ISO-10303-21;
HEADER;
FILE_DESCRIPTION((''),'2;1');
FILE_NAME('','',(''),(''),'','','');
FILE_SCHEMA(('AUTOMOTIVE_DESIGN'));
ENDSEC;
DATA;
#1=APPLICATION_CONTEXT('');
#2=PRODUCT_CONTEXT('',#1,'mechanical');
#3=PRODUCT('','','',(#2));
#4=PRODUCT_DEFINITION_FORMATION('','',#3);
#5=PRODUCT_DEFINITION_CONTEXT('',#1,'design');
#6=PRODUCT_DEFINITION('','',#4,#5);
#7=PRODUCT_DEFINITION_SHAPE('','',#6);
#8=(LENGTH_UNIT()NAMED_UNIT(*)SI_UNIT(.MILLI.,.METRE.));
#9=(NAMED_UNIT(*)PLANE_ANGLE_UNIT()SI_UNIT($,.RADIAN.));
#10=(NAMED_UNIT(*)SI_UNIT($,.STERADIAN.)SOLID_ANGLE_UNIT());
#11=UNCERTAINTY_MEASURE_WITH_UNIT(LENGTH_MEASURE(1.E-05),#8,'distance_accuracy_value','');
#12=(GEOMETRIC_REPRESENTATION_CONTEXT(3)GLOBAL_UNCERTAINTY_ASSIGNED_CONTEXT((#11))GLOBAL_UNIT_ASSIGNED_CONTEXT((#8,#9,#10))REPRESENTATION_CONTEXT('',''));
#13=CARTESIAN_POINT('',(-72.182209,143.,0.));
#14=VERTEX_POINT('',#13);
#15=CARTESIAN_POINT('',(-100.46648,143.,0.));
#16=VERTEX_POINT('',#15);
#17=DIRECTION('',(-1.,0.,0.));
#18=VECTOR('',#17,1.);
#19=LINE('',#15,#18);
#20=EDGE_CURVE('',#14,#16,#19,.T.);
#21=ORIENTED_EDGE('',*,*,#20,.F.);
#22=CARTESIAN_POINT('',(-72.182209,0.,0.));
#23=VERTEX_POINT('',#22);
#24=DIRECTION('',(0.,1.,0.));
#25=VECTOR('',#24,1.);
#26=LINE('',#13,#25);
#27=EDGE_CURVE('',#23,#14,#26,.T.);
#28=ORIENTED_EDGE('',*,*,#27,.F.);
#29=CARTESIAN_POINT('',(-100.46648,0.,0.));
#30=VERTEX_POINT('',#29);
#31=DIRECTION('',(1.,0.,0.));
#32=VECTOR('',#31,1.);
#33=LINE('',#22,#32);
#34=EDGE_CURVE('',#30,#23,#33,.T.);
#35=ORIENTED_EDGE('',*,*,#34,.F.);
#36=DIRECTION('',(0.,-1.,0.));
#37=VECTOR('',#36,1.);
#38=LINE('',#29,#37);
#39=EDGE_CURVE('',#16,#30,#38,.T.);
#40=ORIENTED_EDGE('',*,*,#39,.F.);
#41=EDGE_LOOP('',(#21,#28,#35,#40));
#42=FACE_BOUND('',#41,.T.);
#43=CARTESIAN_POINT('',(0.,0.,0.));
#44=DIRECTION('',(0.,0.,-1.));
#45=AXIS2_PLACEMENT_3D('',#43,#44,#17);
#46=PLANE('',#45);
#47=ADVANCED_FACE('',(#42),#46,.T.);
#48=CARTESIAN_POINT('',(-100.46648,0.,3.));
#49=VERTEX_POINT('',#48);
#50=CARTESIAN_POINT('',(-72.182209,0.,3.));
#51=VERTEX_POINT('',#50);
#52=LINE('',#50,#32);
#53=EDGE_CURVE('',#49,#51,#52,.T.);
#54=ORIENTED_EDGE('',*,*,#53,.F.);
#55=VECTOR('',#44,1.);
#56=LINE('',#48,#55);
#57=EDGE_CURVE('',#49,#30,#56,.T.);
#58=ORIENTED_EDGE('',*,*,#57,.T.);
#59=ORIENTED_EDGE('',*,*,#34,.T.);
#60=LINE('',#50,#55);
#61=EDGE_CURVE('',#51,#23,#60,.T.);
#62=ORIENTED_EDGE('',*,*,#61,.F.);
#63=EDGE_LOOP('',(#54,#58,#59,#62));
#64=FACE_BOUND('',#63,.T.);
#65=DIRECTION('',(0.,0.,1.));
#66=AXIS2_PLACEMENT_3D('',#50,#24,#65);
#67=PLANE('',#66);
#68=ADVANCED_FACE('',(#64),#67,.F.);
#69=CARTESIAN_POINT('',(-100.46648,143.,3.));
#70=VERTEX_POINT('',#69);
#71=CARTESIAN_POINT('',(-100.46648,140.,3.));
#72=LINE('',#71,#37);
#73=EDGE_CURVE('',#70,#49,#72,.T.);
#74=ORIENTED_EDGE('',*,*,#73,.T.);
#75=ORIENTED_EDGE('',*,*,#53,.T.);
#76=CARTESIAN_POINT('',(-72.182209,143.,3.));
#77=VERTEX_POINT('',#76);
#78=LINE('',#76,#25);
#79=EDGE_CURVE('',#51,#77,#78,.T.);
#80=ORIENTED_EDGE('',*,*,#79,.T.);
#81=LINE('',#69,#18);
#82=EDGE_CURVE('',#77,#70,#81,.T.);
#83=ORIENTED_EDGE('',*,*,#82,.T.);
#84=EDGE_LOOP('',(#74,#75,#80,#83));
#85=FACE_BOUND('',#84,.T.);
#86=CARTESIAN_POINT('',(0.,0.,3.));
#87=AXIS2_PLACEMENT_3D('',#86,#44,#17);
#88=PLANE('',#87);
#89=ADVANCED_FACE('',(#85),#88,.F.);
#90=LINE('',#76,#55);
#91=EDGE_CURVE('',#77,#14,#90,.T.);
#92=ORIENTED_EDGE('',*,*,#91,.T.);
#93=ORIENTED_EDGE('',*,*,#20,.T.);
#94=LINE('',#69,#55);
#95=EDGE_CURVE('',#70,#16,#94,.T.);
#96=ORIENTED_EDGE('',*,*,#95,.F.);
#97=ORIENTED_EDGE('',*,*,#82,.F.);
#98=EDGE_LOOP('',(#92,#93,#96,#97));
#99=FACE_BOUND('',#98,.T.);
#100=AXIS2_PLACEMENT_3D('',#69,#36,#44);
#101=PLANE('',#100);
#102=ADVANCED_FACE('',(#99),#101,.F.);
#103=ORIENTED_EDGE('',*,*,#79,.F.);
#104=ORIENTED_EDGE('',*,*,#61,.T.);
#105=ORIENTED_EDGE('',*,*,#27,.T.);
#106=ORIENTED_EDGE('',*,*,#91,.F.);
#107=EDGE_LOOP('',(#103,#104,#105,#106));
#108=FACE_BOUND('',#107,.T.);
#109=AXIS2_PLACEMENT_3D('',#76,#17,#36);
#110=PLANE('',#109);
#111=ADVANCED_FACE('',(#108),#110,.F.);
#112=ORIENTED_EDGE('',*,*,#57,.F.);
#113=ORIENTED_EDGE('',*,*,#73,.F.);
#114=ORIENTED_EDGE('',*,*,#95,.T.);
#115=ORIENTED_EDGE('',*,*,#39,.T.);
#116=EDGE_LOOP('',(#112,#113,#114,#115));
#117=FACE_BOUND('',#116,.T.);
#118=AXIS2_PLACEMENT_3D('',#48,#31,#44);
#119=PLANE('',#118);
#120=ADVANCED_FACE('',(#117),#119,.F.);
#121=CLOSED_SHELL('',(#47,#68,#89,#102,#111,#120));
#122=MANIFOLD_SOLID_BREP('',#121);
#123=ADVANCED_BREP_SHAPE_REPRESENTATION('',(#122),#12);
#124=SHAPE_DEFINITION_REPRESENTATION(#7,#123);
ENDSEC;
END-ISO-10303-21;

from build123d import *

# Parameters (mm, degrees)
BOSS_EXTRUDE1_DEPTH = 3


with BuildPart() as part:
    # Sketch1 → Boss-Extrude1 (new body)
    with BuildSketch(Plane.XY):
        Polygon((-100.466480089, 0), (-100.466480089, 140), (-100.466480089, 143), (-72.182208841, 143), (-72.182208841, 0), align=None)
    extrude(amount=BOSS_EXTRUDE1_DEPTH)


solid = part.part
